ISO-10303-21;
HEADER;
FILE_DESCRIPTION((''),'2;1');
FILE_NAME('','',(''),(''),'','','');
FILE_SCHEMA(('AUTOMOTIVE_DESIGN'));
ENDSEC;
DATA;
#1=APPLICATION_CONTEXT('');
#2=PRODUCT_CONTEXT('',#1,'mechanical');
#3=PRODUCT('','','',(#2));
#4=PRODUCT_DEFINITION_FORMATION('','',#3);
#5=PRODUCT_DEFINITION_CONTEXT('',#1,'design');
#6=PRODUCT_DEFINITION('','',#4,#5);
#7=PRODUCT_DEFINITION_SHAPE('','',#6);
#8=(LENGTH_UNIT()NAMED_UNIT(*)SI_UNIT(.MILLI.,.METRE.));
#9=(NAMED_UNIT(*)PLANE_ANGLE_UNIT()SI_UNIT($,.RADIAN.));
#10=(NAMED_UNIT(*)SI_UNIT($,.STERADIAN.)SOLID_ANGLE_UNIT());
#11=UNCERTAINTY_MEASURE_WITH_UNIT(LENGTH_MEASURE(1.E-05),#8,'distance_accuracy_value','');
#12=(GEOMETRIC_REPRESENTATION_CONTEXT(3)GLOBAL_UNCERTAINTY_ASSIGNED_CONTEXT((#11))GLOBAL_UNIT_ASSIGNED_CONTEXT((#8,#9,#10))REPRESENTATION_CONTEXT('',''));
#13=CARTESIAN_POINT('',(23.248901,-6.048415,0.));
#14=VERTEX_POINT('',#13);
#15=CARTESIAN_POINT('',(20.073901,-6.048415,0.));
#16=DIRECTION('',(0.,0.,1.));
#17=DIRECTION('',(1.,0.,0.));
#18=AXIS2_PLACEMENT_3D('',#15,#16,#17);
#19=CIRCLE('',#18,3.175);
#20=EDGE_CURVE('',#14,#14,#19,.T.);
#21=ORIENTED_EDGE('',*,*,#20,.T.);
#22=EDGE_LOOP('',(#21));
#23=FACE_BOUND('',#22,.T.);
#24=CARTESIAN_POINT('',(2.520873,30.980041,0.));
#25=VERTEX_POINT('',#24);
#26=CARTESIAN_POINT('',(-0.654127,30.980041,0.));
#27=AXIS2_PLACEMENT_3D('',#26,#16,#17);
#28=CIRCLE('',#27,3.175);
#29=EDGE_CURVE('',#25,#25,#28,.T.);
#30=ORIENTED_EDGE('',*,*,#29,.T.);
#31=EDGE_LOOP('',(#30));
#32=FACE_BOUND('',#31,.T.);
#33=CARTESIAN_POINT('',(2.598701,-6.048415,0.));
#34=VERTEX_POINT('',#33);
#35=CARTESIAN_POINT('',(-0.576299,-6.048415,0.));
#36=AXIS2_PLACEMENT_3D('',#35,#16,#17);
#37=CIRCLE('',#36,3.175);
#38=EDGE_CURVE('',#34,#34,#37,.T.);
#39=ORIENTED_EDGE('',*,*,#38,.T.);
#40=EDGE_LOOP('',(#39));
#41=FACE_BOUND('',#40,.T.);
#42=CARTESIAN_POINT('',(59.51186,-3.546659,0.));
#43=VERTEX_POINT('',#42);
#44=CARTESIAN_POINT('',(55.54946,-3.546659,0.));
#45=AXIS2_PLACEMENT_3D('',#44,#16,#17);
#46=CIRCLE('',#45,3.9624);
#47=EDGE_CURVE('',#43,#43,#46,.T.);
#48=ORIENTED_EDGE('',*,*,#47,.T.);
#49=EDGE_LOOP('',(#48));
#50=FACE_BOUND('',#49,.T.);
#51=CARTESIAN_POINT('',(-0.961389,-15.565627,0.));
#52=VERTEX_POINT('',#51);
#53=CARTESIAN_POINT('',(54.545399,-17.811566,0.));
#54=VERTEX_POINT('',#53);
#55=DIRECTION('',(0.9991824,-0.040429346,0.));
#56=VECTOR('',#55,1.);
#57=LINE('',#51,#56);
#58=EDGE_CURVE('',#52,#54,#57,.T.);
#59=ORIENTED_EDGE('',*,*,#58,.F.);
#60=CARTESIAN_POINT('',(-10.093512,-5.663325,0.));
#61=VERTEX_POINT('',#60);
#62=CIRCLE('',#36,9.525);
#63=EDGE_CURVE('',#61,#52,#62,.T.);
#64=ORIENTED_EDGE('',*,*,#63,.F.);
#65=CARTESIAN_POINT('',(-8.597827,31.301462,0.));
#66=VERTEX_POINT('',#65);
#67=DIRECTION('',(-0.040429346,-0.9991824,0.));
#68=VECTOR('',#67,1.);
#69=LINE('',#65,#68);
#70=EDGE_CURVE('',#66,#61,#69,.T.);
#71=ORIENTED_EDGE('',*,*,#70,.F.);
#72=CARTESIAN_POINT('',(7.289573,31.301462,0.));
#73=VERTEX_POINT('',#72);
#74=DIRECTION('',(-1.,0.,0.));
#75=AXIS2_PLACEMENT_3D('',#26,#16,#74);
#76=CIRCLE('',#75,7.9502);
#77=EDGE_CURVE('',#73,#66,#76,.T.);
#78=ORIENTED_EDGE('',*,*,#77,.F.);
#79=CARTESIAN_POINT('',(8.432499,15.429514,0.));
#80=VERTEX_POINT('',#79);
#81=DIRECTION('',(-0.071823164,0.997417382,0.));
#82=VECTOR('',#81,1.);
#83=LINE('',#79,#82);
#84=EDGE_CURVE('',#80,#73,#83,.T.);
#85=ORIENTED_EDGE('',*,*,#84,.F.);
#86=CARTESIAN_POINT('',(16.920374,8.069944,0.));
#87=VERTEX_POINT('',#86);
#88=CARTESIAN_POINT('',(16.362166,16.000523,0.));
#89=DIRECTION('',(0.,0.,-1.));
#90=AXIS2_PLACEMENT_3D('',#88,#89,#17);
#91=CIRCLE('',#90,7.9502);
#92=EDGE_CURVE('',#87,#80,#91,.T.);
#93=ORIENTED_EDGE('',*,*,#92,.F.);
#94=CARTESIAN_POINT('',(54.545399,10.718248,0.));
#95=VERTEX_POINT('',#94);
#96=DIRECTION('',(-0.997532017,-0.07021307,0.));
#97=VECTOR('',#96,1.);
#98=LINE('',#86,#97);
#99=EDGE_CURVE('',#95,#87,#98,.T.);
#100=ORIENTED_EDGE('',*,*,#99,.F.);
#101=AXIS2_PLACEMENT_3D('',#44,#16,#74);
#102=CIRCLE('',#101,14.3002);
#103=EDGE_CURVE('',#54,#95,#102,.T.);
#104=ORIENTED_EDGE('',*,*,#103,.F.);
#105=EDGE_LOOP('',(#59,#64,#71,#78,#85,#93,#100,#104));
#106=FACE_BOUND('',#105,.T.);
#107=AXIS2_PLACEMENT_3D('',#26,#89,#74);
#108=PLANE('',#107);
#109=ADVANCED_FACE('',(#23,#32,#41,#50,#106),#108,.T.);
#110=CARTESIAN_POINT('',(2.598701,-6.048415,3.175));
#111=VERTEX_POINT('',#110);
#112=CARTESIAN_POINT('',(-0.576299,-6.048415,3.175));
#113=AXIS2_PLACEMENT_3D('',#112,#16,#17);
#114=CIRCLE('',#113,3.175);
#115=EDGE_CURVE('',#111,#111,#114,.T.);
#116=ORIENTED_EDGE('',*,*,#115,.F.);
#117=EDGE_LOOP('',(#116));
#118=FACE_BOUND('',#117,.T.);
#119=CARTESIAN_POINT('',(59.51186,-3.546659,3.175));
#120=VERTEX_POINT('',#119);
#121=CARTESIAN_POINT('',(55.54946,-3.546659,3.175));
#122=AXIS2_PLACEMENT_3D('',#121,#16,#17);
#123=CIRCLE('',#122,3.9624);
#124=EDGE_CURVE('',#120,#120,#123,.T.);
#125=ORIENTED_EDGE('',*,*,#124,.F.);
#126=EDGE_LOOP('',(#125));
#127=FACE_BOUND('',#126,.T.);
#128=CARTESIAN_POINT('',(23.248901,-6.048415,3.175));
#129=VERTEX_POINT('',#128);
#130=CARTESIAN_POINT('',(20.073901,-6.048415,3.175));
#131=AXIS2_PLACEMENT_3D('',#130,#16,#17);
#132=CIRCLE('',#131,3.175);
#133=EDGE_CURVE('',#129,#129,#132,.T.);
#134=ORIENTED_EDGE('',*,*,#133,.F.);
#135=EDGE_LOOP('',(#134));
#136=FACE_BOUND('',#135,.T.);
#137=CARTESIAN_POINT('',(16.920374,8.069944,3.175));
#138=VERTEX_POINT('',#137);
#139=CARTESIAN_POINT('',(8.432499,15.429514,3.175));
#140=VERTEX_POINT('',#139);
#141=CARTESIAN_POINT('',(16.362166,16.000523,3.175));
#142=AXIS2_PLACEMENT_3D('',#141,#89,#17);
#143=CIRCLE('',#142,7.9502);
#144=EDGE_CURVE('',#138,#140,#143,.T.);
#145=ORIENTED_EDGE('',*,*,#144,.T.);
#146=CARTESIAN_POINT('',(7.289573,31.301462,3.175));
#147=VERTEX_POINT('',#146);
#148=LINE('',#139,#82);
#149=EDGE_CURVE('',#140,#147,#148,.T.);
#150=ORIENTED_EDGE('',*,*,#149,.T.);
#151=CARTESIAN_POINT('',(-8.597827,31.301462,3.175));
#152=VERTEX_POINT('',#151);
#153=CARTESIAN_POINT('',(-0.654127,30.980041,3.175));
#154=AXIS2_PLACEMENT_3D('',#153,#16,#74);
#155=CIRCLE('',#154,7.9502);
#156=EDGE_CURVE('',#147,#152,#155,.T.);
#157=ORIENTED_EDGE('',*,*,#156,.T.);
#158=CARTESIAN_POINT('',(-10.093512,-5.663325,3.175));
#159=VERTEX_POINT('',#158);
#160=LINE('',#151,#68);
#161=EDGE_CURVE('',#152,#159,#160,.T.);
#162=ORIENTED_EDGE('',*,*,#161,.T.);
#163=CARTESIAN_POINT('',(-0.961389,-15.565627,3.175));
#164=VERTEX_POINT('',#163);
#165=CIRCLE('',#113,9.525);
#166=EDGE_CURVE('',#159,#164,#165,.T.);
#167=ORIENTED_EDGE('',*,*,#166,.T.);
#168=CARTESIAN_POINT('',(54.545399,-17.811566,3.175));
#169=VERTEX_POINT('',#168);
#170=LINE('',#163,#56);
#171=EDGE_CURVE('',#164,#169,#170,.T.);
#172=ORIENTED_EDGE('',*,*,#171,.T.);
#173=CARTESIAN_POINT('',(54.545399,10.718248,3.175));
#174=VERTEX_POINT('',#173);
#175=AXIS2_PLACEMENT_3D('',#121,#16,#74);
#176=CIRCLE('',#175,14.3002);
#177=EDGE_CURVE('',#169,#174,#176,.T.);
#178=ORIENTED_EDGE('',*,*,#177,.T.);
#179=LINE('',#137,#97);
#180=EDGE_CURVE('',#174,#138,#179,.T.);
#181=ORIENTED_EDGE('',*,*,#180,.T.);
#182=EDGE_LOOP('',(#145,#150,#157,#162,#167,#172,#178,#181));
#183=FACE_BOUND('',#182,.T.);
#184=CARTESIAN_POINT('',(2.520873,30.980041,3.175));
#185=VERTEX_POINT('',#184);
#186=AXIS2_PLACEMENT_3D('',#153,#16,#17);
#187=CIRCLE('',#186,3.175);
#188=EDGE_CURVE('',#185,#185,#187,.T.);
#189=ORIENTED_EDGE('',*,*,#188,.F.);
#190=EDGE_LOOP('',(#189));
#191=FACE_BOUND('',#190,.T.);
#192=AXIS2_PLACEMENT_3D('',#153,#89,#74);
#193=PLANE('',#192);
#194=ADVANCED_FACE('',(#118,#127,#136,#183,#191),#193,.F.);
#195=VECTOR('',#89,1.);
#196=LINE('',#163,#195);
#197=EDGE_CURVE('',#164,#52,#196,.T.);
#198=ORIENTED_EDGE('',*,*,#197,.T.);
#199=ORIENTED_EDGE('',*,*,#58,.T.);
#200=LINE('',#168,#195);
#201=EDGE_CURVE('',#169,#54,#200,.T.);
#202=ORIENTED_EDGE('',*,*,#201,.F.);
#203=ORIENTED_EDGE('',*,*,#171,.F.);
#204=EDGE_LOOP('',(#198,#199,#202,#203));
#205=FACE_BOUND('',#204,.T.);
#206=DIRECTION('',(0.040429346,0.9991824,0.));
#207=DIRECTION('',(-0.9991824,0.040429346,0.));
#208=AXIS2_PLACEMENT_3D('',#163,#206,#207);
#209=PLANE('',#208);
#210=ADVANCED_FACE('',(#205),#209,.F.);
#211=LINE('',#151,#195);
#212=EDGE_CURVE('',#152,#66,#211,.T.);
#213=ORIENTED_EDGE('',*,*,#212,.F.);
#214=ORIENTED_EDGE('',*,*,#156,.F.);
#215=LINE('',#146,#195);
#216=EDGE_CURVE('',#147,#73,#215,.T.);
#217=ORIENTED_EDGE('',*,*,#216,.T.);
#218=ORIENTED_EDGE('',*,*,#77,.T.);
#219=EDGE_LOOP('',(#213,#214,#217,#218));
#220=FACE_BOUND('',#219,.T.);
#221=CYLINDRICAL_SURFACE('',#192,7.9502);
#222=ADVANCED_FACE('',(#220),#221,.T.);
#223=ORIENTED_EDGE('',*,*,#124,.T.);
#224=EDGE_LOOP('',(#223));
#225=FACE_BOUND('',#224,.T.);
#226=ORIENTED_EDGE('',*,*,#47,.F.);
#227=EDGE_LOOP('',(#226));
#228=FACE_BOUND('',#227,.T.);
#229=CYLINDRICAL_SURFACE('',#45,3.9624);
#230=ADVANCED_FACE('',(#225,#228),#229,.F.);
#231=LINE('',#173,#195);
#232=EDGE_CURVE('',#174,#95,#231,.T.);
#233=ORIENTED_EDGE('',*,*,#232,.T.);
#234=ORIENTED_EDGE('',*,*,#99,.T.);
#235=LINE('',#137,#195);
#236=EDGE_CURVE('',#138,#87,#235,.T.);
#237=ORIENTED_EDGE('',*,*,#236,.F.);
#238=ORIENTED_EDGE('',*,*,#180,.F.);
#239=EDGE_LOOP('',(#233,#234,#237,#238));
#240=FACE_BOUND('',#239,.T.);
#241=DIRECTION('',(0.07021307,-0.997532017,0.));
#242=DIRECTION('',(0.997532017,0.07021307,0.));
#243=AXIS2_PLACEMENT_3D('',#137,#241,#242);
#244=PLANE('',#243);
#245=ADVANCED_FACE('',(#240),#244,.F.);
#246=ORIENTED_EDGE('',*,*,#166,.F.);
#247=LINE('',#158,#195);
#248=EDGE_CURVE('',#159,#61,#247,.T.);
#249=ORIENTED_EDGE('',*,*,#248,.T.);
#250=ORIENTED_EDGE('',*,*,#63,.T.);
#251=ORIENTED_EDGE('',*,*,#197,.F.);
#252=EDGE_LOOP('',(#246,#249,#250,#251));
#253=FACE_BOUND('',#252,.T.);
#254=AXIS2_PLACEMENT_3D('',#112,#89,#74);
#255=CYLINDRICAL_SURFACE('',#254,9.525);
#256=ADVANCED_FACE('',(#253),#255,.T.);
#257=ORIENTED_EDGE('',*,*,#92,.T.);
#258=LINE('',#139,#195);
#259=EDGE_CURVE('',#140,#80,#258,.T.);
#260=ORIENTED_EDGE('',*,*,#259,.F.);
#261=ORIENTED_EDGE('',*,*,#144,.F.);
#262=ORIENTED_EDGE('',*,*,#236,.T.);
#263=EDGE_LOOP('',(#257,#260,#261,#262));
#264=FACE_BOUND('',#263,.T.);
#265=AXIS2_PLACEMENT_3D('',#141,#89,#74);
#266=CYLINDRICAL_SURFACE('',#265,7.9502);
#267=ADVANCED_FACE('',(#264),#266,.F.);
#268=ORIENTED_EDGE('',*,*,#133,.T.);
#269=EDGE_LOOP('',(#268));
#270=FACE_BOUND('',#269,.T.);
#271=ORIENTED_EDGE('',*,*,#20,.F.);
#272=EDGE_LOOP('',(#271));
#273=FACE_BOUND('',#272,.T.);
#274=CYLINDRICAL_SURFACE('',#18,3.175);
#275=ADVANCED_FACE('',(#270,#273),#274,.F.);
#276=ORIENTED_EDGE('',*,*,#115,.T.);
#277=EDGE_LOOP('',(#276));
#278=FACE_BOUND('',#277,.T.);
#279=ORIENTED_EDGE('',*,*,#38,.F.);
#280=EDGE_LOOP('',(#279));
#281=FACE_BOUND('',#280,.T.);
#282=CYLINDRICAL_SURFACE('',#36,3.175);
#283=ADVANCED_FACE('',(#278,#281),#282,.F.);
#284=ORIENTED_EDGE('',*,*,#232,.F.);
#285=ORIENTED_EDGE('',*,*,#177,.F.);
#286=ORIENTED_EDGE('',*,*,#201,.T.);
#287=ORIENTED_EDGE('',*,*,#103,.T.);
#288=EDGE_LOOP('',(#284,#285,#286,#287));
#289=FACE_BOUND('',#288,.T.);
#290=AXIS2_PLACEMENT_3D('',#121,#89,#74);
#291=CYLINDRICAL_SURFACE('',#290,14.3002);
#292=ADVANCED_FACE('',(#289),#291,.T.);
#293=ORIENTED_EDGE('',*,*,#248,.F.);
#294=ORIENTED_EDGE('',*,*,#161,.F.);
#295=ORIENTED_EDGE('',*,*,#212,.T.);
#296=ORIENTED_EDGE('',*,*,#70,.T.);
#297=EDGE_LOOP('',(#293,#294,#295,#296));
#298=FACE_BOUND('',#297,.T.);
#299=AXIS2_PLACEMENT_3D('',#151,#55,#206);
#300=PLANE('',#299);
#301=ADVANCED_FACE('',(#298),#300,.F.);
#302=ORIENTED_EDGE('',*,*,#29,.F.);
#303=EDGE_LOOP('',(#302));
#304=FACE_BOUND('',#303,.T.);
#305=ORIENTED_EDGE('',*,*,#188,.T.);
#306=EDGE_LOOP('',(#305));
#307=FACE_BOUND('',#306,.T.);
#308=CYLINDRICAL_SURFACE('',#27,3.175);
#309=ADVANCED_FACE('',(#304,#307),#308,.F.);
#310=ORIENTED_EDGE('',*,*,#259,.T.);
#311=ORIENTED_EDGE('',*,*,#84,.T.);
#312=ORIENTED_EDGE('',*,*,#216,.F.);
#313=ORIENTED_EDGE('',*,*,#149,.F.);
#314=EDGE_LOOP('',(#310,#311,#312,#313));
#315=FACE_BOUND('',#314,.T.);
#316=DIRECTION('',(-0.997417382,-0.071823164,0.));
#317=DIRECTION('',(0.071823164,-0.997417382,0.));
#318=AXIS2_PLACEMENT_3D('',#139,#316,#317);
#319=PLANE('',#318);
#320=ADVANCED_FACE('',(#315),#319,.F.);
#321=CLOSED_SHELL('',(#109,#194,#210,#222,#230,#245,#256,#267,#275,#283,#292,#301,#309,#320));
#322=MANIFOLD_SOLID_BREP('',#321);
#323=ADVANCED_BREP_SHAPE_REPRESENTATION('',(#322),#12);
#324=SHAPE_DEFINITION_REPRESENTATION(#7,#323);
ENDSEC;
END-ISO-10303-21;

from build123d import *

# Parameters (mm, degrees)
BOSS_EXTRUDE1_DEPTH = 3.175
SKETCH2_R           = 3.175
SKETCH2_R_2         = 3.9624
CUT_EXTRUDE1_DEPTH  = 81.028865201


with BuildPart() as part:
    # Sketch1 → Boss-Extrude1 (new body)
    with BuildSketch(Plane.XY):
        with BuildLine():
            Line((-8.59782659, 31.301462428), (-10.093511639, -5.663325214))
            ThreePointArc((-10.093511639, -5.663325214), (-7.578284086, -12.505800719), (-0.961388798, -15.56562709))
            Line((-0.961388798, -15.56562709), (54.545398844, -17.811566474))
            ThreePointArc((54.545398844, -17.811566474), (69.849659789, -3.546659126), (54.545398844, 10.718248223))
            Line((54.545398844, 10.718248223), (16.920374135, 8.069943754))
            ThreePointArc((16.920374135, 8.069943754), (11.153958802, 9.993838528), (8.432498518, 15.429514275))
            Line((8.432498518, 15.429514275), (7.28957324, 31.301462428))
            ThreePointArc((7.28957324, 31.301462428), (-0.654126675, 38.930241044), (-8.59782659, 31.301462428))
        make_face()
    extrude(amount=BOSS_EXTRUDE1_DEPTH)

    # Sketch2 → Cut-Extrude1 (cut, through all)
    with BuildSketch(Plane.XY.offset(3.175)):
        with Locations((-0.654126675, 30.980041044)):
            Circle(SKETCH2_R)
        with Locations((-0.576299281, -6.048414732)):
            Circle(SKETCH2_R)
        with Locations((20.073900719, -6.048414732)):
            Circle(SKETCH2_R)
        with Locations((55.549459789, -3.546659126)):
            Circle(SKETCH2_R_2)
    extrude(amount=-CUT_EXTRUDE1_DEPTH, mode=Mode.SUBTRACT)


solid = part.part
